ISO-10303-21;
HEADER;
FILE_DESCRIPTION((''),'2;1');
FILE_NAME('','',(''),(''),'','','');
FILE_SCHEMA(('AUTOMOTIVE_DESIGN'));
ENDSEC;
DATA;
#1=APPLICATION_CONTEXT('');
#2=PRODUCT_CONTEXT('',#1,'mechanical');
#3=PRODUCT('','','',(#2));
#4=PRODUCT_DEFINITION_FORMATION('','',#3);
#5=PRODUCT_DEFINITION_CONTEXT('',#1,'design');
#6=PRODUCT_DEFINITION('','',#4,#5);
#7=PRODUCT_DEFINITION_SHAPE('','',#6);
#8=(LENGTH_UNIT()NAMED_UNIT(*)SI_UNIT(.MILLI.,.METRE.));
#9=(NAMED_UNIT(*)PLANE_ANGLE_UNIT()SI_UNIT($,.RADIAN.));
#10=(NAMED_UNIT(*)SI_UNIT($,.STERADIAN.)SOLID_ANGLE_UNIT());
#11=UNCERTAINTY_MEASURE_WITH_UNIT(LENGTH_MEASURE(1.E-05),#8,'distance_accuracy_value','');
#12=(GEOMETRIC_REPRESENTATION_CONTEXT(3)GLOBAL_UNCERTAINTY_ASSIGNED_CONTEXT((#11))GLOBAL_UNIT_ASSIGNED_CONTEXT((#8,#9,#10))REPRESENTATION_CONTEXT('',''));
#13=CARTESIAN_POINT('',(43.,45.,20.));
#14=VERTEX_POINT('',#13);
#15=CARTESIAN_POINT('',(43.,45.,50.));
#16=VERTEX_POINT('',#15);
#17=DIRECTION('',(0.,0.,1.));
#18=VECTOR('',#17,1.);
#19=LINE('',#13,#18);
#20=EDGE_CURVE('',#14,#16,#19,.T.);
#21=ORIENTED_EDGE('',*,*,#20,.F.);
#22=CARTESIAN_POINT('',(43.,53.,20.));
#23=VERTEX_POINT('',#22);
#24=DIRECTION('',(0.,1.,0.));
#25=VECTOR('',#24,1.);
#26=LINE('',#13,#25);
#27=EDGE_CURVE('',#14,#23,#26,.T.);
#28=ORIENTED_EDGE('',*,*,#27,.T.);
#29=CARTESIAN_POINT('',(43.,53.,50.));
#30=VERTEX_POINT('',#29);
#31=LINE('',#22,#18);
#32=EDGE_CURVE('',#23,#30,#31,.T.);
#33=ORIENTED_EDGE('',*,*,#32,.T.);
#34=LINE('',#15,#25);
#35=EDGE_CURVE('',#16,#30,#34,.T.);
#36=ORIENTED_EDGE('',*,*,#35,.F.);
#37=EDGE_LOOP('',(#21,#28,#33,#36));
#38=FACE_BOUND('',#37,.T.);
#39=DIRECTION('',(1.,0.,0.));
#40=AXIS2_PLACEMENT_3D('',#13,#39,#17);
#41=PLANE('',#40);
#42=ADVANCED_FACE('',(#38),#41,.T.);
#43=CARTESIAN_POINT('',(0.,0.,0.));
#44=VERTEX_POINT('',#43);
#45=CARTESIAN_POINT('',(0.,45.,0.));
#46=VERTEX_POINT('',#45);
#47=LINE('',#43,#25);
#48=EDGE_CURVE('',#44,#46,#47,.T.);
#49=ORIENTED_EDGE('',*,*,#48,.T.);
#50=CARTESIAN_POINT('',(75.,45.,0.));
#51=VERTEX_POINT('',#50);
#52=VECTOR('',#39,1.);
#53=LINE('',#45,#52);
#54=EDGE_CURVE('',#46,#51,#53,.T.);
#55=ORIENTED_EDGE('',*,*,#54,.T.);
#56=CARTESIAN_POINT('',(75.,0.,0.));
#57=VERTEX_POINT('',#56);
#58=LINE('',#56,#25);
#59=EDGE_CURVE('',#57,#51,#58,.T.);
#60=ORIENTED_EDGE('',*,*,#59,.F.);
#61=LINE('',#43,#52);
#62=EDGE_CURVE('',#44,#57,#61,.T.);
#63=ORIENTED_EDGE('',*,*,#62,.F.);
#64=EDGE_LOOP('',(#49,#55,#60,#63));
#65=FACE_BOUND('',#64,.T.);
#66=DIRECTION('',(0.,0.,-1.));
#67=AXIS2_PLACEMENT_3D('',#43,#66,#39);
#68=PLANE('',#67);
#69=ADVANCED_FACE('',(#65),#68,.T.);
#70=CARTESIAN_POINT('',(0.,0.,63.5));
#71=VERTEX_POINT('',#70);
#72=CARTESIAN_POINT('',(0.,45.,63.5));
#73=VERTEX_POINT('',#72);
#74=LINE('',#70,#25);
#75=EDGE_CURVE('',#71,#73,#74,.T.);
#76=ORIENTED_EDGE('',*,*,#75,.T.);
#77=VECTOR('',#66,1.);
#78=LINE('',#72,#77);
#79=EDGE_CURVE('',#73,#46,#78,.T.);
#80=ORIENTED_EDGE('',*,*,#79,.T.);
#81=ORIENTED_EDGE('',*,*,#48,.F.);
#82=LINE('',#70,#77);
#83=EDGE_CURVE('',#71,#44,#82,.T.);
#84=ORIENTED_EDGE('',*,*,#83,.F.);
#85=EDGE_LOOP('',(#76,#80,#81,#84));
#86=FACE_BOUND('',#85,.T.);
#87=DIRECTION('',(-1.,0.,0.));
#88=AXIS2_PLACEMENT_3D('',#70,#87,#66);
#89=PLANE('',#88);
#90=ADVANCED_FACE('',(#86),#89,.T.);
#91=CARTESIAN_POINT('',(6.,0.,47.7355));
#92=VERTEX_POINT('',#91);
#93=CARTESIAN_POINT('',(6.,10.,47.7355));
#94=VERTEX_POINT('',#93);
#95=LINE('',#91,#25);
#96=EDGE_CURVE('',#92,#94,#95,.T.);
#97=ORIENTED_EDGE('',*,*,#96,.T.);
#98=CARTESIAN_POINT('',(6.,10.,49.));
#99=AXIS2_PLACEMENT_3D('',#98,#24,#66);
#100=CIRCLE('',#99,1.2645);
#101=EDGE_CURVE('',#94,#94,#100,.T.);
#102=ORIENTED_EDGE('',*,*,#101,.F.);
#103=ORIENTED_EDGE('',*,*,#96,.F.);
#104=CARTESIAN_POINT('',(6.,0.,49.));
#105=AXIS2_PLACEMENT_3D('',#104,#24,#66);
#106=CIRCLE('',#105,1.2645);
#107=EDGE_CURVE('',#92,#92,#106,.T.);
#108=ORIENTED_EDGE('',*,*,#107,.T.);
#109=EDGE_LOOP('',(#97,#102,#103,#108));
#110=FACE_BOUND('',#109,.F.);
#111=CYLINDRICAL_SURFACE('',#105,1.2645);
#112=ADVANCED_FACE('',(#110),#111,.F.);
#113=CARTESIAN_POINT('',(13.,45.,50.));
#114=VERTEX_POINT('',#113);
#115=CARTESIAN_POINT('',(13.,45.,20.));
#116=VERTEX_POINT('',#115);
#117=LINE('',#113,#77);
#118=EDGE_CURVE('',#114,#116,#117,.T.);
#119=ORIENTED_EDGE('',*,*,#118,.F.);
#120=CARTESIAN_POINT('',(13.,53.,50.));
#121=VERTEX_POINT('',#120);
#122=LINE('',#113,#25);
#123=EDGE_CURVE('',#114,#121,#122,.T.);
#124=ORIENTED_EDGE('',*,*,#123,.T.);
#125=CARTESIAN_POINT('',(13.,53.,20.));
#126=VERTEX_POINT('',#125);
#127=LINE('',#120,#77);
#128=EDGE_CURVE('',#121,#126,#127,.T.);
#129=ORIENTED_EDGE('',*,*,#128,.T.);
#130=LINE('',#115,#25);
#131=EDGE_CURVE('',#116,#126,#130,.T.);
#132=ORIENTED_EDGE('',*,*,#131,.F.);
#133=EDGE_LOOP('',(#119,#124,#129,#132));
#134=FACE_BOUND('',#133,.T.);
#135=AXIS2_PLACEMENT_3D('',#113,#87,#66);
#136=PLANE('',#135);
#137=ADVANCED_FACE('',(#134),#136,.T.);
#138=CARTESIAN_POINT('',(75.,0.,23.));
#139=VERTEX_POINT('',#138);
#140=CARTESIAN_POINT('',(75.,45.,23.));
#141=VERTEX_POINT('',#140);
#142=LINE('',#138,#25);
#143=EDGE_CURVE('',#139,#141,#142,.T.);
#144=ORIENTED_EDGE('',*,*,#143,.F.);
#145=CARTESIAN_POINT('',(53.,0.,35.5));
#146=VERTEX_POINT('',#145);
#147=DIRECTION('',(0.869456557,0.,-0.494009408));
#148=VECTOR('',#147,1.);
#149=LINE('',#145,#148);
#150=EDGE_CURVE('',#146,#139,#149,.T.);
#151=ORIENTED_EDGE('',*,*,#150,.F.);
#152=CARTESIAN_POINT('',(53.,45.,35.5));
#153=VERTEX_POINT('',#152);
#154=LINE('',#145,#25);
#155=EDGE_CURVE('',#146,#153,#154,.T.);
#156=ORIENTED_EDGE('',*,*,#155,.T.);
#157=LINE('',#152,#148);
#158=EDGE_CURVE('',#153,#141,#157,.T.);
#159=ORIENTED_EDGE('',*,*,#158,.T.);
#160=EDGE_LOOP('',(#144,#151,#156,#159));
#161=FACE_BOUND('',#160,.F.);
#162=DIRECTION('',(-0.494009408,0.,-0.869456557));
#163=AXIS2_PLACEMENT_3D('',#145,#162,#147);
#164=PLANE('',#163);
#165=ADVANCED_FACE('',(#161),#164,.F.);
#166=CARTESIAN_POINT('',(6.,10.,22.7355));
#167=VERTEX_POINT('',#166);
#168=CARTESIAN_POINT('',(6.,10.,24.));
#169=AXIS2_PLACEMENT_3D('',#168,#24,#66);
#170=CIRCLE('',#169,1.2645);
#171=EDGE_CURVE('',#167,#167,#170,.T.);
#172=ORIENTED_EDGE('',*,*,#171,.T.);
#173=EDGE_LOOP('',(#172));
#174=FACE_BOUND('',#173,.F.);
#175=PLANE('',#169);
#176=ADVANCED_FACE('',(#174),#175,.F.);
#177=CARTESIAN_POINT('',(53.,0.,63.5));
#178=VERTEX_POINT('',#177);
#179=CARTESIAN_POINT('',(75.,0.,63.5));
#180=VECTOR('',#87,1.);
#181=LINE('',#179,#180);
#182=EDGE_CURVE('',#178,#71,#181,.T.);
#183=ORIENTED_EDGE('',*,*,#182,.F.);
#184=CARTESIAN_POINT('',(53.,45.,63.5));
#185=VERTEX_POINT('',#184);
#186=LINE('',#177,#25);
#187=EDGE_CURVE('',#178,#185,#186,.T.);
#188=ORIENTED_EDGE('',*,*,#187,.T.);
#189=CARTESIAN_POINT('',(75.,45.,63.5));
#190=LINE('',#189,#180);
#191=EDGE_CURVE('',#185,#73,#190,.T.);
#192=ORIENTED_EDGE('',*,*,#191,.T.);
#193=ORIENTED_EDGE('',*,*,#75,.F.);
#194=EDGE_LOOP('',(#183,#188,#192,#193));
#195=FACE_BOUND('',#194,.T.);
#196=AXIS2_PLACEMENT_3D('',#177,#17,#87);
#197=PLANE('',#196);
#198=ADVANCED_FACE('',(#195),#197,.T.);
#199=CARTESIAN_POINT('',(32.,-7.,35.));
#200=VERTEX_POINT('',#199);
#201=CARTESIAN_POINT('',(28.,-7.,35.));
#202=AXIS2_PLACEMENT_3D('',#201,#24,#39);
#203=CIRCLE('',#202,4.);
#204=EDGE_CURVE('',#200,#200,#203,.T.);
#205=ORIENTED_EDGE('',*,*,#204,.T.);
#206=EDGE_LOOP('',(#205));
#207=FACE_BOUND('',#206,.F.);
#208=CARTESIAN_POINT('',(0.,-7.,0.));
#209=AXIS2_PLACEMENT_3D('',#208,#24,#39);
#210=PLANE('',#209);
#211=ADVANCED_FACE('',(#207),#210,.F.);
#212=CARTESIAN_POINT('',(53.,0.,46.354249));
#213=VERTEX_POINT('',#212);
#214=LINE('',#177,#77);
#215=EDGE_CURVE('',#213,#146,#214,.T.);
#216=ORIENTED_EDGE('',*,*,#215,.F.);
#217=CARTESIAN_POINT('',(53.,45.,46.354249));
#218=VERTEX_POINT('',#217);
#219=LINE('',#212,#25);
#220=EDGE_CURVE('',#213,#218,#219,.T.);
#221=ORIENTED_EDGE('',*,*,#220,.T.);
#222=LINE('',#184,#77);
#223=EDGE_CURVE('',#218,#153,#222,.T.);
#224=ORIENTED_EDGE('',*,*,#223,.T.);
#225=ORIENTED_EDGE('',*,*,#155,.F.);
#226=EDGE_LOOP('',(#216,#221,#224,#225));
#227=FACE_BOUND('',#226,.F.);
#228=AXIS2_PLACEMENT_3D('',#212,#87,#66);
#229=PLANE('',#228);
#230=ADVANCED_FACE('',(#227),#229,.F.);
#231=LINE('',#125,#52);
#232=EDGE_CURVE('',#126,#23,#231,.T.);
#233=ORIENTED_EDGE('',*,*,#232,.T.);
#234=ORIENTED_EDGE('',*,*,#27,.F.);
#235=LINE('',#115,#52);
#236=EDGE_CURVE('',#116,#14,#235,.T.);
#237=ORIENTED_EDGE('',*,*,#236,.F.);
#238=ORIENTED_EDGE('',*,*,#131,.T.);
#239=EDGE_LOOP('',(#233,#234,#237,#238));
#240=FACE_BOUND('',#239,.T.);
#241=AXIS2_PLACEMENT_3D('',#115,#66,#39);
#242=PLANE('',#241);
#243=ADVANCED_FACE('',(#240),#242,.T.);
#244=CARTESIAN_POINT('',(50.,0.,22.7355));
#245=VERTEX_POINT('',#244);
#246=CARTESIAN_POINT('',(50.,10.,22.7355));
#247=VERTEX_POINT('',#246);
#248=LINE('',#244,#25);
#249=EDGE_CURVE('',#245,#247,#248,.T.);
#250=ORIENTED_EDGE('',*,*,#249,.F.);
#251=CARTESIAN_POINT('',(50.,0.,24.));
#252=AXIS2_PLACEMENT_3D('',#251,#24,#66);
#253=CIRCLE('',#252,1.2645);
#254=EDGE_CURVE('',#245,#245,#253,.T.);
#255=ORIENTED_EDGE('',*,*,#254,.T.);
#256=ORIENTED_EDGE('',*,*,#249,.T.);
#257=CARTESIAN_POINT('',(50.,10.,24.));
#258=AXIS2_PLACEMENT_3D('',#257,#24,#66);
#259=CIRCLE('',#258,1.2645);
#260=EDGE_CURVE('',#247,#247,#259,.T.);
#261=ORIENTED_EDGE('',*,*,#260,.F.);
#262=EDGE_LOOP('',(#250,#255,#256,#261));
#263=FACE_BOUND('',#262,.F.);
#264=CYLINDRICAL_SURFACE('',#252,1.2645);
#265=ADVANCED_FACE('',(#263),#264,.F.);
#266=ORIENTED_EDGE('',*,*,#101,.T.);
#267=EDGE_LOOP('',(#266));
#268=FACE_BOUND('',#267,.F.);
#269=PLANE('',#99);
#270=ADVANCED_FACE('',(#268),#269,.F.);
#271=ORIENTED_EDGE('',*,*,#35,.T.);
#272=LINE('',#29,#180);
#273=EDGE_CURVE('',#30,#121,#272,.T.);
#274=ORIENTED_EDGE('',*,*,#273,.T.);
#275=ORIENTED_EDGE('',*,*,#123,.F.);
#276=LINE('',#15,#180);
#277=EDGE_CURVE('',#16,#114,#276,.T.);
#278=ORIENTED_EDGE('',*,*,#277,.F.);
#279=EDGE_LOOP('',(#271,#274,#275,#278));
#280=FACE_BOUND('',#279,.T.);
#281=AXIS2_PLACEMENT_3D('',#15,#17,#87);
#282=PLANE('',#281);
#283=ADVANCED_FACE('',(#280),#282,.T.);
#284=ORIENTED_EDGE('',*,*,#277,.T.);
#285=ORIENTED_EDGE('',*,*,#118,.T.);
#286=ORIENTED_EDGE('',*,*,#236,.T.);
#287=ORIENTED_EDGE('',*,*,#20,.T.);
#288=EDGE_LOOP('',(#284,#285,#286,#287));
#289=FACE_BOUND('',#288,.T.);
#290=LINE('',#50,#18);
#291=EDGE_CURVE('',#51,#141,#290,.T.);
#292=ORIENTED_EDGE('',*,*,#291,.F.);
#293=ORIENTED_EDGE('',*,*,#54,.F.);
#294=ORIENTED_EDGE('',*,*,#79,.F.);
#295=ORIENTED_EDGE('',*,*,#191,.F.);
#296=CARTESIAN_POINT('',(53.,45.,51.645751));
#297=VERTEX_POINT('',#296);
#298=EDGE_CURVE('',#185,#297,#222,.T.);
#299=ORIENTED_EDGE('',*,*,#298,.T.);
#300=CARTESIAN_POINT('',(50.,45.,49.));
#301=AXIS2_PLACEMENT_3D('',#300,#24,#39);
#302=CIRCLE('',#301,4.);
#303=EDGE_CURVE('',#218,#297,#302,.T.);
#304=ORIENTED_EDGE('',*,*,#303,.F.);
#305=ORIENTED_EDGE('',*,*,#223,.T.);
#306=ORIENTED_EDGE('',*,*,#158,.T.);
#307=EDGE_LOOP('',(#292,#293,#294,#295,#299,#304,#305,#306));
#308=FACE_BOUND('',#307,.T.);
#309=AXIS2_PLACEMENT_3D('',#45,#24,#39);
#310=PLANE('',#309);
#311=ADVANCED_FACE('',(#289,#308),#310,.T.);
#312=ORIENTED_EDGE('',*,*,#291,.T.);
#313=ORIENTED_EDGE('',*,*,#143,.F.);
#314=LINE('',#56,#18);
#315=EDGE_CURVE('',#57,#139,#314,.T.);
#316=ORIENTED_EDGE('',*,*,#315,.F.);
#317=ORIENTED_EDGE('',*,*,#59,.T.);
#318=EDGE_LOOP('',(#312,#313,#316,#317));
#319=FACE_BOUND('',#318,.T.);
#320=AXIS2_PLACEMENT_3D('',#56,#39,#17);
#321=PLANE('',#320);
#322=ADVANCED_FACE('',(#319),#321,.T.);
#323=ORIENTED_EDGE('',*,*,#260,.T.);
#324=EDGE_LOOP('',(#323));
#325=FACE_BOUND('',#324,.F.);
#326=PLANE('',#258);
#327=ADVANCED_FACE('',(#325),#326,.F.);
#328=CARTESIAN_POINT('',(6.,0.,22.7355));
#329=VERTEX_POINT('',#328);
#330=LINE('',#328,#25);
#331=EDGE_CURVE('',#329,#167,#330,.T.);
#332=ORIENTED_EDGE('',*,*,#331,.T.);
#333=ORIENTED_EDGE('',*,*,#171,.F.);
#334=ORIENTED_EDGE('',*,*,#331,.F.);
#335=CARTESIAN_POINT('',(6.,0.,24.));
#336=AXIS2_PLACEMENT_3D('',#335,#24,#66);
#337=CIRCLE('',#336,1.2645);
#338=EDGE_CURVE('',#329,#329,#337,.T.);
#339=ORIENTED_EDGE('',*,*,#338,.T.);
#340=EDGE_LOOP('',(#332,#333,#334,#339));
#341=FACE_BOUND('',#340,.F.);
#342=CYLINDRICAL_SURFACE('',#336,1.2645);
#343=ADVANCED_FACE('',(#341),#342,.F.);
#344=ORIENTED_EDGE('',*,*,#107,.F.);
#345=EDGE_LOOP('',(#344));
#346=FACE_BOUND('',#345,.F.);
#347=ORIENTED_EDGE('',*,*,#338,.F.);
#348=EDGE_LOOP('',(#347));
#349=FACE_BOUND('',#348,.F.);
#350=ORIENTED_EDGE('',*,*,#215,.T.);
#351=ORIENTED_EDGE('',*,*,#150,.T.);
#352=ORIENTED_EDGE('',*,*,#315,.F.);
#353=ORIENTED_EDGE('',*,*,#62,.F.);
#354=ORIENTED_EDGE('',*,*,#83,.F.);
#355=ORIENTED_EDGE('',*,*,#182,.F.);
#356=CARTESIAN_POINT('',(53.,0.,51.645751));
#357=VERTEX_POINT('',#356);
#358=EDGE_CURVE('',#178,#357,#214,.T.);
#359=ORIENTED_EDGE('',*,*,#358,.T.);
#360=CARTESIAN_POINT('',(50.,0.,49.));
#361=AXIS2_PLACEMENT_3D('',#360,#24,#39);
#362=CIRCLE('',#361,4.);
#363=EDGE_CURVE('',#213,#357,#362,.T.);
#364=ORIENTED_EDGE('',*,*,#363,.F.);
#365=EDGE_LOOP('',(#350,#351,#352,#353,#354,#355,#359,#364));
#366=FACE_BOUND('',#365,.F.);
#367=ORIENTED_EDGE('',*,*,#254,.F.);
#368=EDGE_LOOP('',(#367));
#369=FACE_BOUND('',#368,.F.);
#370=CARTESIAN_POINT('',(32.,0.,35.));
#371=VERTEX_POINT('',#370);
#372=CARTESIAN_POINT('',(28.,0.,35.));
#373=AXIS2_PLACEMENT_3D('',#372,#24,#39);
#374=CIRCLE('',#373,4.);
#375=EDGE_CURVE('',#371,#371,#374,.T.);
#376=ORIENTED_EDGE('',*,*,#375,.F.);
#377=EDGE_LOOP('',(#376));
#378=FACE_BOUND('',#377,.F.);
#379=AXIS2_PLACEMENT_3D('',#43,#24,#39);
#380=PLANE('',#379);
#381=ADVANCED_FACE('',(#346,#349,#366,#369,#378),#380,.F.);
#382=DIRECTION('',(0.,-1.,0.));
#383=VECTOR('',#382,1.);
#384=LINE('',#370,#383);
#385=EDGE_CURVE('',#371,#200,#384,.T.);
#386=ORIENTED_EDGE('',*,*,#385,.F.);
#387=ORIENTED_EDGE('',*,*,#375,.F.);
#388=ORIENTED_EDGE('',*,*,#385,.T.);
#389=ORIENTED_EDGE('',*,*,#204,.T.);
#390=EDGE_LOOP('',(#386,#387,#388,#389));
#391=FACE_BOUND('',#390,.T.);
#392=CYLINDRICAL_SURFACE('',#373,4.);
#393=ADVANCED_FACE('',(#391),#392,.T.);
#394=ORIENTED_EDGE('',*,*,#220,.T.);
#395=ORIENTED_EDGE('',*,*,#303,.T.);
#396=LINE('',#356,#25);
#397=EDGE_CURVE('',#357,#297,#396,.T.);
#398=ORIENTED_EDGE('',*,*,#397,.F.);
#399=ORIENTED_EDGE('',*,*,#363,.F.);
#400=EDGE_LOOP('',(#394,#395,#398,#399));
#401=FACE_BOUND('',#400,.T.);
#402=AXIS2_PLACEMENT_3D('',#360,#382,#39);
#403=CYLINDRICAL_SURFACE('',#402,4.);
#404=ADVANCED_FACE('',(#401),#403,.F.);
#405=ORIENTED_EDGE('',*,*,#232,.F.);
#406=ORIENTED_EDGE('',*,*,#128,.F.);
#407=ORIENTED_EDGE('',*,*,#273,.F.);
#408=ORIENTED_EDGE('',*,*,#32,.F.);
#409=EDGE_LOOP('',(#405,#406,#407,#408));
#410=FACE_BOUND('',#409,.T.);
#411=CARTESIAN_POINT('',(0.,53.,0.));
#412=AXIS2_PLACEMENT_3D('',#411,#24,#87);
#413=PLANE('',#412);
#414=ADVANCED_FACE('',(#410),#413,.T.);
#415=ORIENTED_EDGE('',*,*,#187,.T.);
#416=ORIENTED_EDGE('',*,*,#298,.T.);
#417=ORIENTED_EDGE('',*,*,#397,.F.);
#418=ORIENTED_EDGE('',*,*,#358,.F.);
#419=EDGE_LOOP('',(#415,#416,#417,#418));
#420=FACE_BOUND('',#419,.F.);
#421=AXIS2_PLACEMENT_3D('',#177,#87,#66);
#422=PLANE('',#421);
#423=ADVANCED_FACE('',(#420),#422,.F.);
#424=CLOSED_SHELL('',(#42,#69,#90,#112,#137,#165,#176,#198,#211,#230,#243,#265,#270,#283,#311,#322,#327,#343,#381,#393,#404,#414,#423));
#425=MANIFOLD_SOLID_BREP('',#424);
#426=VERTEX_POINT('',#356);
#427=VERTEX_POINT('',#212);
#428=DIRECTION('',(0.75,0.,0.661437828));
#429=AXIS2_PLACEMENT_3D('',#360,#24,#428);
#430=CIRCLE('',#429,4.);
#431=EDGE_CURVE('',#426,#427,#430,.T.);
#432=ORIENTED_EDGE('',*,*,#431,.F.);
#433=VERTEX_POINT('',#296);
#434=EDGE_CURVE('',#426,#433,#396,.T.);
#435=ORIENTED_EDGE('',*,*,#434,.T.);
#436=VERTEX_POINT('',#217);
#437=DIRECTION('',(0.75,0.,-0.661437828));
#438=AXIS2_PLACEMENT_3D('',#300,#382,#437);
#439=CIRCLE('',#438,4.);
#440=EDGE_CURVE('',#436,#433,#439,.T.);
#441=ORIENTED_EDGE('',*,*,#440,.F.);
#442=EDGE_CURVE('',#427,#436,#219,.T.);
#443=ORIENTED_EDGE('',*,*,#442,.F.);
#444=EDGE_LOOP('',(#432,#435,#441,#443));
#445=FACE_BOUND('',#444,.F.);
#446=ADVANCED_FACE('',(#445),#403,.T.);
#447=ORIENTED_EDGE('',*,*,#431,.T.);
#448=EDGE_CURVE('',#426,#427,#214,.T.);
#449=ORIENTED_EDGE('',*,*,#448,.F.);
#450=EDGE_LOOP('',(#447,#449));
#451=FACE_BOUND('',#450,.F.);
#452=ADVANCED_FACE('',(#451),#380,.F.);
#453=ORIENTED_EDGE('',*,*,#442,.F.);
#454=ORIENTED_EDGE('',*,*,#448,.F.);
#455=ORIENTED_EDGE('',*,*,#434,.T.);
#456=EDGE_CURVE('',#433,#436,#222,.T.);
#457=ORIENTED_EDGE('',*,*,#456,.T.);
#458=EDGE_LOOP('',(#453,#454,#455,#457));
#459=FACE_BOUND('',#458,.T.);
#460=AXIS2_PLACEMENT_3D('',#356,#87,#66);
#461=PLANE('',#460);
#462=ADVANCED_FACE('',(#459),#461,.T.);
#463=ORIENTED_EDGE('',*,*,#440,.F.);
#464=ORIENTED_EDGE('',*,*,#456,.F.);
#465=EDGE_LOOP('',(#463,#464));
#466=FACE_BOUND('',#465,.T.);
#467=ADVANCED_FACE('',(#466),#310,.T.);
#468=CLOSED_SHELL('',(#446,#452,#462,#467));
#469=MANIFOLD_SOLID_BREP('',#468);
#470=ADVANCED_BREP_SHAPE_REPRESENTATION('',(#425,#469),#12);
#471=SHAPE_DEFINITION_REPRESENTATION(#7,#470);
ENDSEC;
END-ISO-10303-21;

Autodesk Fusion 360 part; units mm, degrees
sketch "Sketch1" plane through (0, 0, 0) normal (0, 1, 0) x (1, 0, 0)
  line L0 (0, 0) -> (75, 0)
  line L1 (75, 0) -> (75, -63.5)
  line L2 (75, -63.5) -> (0, -63.5)
  line L3 (0, -63.5) -> (0, 0)
  line L4 (53, -63.5) -> (53, -35.5)
  line L5 (53, -35.5) -> (75, -23)
  line L6 (6, -49) -> (50, -49) construction
  line L7 (50, -49) -> (50, -24) construction
  line L8 (50, -24) -> (6, -24) construction
  line L9 (6, -24) -> (6, -49) construction
  circle A0 centre (28, -35) radius 4
  circle A1 centre (6, -49) radius 4
  circle A2 centre (6, -24) radius 4
  circle A3 centre (50, -24) radius 4
  circle A4 centre (50, -49) radius 4
  dimension "d1" = 63.5
  dimension "d2" = 75
  dimension "d3" = 53
  dimension "d4" = 23
  dimension "d5" = 28
  dimension "d6" = 44
  dimension "d7" = 25
  dimension "d8" = 28
  dimension "d9" = 35
  dimension "d10" = 14
  dimension "d11" = 22
  dimension "d12" = 8
  dimension "d13" = 8
extrude "Extrude1" add sketch "Sketch1" along normal blind 45 contours L0 L1 L2 L3 L4 L5 A4 | L4 A4 | A0 | A1 | A2 | A3 picked at (53.5526, -48.8079)
extrude "Extrude2" add sketch "Sketch1" against normal blind 7 contours A0
hole "Hole1" at (6, 0, 49) at (50, 0, 49) at (50, 0, 24) at (6, 0, 24) direction (0, 1, 0) diameter 2.529 depth 10 tip angle 180
sketch "Sketch2" plane through (0, 45, 0) normal (0, 1, 0) x (-1, 0, 0)
  line L0 (-53, 63.5) -> (-53, 35.5)
  line L1 (-53, 35.5) -> (-75, 23)
  line L2 (-75, 23) -> (-75, 0)
  line L3 (-75, 0) -> (0, 0)
  line L4 (0, 0) -> (0, 63.5)
  line L5 (0, 63.5) -> (-53, 63.5)
  line L6 (-43, 50) -> (-13, 50)
  line L7 (-13, 50) -> (-13, 20)
  line L8 (-13, 20) -> (-43, 20)
  line L9 (-43, 20) -> (-43, 50)
  line L10 (-43, 50) -> (-13, 20) construction
  line L11 (-13, 50) -> (-43, 20) construction
  point P0 (-28, 35)
  dimension "d21" = 30
  dimension "d22" = 28
  dimension "d23" = 35
extrude "Extrude3" add sketch "Sketch2" along normal blind 8 contours L6 L7 L8 L9
